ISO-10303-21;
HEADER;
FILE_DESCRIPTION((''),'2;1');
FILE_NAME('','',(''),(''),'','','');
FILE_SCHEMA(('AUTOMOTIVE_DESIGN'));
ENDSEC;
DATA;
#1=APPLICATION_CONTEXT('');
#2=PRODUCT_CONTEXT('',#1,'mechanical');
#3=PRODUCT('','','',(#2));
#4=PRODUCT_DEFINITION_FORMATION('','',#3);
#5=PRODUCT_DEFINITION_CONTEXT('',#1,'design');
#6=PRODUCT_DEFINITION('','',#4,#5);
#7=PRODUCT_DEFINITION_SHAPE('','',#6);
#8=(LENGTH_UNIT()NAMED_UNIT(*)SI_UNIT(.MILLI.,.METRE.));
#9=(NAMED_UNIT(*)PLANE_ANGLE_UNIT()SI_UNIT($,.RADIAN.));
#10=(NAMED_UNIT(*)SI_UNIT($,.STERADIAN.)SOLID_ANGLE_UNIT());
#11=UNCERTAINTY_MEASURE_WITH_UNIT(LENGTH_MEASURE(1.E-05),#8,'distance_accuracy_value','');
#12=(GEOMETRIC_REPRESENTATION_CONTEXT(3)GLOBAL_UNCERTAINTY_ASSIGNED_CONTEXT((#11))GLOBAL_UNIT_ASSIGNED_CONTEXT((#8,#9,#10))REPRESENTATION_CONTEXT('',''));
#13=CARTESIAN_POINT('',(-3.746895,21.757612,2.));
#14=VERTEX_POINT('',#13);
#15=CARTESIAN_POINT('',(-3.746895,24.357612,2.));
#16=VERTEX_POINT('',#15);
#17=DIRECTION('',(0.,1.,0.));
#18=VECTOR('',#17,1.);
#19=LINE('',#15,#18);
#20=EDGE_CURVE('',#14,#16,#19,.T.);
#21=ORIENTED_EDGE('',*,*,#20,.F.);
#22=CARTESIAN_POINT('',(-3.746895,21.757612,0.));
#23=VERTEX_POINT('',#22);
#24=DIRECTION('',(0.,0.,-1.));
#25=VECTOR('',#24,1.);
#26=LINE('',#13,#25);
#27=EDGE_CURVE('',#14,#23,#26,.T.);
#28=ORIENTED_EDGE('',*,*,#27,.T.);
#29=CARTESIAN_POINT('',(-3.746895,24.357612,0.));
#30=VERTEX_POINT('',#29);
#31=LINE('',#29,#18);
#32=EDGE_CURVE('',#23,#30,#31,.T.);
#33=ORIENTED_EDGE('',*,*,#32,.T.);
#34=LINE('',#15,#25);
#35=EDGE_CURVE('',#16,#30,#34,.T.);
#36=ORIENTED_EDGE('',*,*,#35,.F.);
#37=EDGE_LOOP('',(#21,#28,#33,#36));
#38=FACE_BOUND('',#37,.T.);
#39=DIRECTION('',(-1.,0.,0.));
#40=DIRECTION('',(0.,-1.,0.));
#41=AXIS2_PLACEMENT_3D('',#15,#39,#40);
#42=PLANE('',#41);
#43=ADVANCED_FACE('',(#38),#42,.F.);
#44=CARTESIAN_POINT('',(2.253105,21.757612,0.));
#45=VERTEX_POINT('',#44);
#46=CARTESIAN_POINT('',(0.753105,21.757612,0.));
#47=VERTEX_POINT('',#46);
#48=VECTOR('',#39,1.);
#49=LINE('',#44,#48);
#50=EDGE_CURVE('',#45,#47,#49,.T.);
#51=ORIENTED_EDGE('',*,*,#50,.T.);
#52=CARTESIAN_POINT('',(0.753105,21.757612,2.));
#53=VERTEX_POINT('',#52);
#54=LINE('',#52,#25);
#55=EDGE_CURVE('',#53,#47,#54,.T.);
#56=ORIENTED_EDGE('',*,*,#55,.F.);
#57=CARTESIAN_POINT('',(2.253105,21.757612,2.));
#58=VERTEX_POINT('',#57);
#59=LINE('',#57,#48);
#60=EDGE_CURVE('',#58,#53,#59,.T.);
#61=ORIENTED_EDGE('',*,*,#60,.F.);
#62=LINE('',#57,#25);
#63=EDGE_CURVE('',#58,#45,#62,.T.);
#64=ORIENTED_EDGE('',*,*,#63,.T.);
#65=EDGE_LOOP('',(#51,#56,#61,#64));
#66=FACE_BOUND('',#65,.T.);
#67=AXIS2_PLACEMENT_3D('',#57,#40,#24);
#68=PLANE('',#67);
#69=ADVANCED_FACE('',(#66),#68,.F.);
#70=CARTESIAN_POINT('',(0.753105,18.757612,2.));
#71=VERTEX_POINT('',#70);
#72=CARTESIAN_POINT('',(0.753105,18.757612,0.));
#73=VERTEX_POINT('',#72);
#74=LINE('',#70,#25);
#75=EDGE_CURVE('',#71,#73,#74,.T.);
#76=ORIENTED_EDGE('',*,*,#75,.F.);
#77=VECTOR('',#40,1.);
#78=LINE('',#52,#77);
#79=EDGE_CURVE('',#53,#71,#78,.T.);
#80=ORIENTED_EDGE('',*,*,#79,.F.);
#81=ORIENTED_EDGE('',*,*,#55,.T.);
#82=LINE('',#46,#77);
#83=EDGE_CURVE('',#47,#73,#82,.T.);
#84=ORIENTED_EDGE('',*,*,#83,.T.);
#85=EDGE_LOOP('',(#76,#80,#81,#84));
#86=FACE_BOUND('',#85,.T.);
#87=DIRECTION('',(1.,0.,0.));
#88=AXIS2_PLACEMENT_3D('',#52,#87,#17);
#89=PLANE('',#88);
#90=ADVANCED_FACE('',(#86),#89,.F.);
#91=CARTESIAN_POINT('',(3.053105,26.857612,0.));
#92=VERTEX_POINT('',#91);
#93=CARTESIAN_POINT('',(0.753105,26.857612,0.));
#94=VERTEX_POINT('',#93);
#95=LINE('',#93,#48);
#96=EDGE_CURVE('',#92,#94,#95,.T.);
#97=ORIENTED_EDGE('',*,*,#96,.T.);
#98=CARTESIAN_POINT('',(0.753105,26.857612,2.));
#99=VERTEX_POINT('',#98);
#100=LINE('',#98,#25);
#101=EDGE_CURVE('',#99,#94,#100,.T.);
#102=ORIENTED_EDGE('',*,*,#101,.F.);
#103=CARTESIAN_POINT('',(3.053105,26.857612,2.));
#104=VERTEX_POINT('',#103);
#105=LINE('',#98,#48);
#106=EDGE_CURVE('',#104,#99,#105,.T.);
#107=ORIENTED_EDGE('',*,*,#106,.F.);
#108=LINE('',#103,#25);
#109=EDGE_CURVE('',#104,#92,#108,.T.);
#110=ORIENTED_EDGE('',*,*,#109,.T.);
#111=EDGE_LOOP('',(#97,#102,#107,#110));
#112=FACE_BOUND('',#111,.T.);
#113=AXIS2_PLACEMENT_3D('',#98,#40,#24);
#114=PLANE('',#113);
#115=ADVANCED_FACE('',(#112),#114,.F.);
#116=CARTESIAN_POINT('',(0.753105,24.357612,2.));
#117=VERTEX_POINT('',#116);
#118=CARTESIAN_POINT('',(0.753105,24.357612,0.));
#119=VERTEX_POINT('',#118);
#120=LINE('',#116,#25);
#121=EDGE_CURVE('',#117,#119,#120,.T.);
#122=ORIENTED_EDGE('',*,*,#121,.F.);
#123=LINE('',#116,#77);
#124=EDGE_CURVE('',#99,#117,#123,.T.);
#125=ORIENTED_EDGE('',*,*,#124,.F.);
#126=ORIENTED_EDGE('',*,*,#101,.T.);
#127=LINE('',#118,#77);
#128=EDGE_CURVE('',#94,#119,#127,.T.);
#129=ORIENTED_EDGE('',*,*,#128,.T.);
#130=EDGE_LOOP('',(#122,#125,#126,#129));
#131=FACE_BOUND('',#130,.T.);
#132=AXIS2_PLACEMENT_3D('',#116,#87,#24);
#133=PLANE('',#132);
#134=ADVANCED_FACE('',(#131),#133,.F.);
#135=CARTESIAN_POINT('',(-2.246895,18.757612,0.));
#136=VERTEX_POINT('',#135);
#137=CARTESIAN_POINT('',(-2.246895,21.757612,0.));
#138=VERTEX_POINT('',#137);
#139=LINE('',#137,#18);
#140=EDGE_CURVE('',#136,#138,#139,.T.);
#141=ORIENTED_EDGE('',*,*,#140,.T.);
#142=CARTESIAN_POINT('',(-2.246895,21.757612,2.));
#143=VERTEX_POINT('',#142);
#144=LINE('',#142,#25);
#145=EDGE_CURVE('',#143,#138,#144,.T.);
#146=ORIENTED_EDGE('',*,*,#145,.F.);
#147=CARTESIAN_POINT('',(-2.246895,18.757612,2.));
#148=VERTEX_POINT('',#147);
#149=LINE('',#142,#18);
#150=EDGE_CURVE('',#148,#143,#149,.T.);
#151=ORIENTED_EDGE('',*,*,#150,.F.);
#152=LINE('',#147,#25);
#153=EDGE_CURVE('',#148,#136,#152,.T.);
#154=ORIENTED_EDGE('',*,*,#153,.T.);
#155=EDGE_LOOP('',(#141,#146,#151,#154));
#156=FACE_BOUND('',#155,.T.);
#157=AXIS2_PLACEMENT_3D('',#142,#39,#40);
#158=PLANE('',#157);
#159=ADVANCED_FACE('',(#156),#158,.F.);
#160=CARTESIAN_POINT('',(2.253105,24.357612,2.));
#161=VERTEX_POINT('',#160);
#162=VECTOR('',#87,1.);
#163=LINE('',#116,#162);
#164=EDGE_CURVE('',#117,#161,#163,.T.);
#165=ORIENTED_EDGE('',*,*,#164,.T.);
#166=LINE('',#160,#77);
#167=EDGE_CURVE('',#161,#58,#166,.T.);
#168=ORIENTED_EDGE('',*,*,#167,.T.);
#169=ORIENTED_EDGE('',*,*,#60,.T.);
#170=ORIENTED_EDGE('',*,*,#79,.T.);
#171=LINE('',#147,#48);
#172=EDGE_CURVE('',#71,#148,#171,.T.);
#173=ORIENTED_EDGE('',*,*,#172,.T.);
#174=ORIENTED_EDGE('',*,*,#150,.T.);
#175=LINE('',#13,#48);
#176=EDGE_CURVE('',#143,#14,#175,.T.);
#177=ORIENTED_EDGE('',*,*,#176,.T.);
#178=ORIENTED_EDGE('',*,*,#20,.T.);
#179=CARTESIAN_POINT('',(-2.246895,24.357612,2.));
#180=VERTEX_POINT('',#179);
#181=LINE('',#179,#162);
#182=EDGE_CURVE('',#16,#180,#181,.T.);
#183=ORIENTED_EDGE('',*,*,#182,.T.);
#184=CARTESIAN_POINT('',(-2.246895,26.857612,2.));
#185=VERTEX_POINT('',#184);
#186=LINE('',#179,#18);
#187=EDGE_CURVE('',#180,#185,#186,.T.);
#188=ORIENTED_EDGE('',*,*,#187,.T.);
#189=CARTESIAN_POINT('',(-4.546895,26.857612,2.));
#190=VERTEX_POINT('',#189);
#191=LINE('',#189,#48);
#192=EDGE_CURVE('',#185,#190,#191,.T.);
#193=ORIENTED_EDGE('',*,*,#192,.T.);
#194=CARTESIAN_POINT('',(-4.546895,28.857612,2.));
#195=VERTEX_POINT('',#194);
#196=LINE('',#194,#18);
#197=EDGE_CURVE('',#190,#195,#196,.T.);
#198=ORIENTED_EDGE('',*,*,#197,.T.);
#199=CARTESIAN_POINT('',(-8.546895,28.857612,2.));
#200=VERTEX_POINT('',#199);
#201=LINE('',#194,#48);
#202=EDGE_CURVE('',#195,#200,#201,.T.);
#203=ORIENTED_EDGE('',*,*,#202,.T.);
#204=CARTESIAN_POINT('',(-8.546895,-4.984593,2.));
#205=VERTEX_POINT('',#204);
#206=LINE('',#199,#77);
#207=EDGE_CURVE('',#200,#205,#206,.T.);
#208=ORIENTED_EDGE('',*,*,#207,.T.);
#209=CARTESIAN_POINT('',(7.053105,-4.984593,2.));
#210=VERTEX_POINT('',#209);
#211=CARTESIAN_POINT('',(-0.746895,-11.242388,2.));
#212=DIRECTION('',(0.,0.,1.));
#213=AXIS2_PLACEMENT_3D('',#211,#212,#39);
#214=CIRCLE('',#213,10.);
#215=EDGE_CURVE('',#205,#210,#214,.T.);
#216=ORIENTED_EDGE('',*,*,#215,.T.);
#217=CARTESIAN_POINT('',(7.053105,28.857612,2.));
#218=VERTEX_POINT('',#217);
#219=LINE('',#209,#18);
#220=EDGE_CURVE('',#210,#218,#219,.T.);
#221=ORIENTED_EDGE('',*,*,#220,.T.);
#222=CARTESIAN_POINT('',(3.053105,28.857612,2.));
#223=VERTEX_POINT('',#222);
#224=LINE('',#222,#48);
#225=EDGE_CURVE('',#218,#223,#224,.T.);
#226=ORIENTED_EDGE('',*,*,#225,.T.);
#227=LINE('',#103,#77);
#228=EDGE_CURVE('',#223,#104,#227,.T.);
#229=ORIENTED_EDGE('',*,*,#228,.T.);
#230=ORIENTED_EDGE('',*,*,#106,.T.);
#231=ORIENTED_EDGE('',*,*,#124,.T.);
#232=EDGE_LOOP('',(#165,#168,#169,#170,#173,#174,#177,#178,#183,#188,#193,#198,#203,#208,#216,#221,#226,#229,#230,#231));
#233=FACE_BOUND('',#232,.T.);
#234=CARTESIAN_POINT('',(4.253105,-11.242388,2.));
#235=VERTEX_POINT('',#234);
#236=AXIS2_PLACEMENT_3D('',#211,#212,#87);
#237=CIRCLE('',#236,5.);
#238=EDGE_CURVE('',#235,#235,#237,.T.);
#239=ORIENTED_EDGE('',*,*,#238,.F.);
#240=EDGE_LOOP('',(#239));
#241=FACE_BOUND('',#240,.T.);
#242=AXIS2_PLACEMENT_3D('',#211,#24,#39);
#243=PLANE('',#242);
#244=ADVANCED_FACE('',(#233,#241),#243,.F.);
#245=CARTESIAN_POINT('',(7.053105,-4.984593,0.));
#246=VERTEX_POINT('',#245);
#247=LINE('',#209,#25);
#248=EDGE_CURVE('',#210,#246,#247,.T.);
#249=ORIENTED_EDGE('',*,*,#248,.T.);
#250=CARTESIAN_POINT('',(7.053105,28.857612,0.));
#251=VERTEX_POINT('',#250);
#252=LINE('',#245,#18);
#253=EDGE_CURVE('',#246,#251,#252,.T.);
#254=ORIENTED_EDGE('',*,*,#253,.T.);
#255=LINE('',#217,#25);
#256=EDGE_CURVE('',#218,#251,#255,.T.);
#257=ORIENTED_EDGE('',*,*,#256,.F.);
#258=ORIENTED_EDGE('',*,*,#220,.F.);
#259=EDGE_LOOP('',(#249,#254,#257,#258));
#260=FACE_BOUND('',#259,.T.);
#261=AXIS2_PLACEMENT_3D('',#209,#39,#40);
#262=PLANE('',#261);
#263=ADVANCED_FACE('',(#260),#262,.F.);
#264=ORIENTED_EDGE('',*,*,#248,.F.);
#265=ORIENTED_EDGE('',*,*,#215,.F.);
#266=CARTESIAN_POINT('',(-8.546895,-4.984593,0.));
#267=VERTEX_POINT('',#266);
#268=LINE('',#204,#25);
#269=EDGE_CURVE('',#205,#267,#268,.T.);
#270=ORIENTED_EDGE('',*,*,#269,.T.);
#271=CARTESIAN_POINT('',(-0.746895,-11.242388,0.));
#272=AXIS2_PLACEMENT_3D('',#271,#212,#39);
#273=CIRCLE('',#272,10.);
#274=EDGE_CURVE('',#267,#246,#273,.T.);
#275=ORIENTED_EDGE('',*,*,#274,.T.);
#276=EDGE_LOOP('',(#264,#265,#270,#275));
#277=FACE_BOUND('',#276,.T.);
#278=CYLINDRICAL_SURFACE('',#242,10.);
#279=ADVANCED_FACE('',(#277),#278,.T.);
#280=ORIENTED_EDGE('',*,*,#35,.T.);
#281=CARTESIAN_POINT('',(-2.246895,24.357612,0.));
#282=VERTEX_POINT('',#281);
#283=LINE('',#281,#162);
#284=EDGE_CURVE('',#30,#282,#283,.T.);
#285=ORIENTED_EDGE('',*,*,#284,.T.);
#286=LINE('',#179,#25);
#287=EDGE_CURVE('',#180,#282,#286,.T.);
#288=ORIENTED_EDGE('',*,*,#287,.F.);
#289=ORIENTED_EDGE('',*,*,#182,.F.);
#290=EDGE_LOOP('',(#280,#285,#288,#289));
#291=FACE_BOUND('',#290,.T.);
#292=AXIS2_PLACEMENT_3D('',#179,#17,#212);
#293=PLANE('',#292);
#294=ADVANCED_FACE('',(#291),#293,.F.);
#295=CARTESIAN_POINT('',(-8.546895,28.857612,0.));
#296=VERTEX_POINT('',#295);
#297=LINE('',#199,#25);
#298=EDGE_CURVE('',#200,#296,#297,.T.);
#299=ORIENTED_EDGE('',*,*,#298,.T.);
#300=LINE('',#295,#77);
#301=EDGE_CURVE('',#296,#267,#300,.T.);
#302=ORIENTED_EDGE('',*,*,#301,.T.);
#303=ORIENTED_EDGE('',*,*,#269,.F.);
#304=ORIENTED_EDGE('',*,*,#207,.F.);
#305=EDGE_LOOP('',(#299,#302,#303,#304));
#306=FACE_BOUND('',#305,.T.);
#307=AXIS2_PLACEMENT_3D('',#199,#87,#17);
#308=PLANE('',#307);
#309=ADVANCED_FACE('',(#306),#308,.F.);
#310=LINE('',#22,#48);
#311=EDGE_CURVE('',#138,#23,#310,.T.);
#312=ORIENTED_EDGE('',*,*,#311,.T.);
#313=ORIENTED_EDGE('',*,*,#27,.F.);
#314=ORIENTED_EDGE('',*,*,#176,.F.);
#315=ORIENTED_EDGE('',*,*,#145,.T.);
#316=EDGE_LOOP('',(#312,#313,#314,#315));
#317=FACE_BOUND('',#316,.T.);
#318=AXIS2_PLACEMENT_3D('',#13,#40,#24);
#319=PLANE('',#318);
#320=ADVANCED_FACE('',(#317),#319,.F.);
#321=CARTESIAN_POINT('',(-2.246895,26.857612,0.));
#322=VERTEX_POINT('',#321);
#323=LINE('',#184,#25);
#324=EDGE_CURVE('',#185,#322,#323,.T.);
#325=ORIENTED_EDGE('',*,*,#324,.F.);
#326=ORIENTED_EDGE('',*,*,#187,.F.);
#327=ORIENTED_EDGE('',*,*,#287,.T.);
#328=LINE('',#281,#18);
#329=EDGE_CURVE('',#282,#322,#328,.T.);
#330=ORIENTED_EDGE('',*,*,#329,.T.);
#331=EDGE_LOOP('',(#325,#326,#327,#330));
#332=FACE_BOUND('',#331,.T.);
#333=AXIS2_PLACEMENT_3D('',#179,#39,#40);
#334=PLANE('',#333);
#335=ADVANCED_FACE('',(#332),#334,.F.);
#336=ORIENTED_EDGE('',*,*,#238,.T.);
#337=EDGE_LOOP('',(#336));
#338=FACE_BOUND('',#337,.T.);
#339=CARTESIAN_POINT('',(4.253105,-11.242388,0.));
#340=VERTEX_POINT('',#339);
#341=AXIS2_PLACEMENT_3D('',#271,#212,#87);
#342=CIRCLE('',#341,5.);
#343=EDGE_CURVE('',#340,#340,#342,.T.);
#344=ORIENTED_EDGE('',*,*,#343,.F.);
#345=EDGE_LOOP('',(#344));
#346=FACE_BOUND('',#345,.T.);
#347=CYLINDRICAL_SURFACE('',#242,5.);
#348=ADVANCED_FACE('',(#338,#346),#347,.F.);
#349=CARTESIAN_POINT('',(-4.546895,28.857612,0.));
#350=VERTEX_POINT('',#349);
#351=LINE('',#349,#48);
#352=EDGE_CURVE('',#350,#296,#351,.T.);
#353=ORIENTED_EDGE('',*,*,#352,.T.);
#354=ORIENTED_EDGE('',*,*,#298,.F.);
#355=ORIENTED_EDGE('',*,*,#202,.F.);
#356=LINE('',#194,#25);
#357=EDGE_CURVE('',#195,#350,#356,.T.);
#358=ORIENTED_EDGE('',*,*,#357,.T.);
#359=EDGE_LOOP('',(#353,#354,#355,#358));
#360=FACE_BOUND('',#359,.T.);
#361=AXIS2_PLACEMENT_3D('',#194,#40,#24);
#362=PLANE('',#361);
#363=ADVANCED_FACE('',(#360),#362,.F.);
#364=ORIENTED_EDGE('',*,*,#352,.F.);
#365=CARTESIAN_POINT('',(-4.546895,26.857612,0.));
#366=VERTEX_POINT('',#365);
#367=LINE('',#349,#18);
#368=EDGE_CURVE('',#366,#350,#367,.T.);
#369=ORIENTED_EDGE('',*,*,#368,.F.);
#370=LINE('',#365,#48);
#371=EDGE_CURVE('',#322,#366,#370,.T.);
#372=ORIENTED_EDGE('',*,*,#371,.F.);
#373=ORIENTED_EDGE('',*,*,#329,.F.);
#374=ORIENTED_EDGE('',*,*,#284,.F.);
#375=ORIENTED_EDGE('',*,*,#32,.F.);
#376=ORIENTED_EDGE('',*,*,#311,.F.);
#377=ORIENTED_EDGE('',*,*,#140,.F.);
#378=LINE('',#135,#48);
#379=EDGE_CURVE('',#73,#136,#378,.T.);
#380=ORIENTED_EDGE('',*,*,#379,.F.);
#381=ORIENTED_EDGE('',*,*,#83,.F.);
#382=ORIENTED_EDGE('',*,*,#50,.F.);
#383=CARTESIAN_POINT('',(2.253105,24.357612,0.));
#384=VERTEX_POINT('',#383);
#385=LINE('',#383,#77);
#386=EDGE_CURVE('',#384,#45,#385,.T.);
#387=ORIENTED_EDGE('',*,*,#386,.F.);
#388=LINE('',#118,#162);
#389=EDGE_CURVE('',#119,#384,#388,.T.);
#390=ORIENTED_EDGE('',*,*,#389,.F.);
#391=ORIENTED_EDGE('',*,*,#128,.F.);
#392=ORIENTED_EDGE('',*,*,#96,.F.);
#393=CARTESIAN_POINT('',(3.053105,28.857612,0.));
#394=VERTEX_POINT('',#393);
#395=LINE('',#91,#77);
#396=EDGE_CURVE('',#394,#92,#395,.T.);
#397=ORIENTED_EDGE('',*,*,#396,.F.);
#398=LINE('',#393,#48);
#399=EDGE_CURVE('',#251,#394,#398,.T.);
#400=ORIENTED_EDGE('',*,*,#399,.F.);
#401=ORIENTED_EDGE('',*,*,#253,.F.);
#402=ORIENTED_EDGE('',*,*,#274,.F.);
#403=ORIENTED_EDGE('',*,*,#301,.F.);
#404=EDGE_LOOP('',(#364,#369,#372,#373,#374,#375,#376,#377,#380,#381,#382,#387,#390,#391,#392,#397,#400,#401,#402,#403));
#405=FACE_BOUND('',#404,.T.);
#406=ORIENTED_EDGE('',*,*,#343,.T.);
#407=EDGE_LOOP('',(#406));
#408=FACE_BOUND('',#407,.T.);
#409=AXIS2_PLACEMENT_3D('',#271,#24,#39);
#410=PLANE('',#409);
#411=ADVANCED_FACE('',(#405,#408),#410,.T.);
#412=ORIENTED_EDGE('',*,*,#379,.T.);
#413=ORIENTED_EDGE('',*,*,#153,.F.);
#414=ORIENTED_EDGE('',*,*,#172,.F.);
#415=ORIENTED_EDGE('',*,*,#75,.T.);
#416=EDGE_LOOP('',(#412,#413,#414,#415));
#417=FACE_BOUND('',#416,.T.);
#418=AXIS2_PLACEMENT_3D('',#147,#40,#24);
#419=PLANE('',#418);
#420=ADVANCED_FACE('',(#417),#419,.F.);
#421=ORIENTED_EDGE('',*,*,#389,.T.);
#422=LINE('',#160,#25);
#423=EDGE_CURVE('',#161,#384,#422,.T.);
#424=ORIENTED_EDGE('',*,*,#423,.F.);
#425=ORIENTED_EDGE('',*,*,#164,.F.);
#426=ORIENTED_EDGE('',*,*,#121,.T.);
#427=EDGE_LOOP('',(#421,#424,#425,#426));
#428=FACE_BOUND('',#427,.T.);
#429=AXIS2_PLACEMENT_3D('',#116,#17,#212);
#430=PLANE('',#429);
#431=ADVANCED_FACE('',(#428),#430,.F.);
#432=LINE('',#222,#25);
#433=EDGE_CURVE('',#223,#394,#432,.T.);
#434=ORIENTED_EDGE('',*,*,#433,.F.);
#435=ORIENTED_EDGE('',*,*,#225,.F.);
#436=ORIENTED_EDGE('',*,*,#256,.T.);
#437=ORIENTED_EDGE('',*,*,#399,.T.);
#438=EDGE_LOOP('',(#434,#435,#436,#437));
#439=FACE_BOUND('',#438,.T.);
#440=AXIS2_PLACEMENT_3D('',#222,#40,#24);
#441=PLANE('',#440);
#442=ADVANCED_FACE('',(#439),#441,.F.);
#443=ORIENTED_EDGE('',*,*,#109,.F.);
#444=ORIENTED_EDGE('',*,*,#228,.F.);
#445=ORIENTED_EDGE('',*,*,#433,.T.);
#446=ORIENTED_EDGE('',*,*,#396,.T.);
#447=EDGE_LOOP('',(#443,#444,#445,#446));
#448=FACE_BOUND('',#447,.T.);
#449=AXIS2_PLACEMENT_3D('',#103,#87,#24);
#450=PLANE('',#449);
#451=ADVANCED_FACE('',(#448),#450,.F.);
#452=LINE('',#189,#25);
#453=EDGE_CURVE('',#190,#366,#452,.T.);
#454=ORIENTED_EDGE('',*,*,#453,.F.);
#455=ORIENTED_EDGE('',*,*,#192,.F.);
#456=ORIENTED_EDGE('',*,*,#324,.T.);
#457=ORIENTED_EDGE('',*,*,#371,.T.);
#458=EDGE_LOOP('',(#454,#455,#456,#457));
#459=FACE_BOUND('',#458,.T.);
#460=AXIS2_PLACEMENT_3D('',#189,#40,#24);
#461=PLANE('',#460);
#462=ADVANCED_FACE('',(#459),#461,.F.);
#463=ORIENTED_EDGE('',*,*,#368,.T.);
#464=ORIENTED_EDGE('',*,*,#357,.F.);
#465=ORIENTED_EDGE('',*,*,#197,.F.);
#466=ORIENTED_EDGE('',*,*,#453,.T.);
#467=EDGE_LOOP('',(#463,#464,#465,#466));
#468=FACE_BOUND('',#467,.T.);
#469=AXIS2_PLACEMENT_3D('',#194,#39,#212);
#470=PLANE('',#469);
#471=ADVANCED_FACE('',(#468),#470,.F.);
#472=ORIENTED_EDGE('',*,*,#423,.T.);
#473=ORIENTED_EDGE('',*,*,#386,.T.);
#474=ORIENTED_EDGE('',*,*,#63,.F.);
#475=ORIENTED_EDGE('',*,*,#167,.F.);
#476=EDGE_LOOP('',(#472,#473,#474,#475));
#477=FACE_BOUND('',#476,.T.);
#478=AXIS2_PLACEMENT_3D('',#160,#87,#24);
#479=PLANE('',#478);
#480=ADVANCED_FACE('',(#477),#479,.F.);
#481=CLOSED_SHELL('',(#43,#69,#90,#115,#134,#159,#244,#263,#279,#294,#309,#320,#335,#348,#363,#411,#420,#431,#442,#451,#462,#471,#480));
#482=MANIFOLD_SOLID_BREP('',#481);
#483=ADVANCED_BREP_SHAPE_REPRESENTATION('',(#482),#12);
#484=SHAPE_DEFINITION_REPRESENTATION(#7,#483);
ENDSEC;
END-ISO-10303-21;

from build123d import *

# Parameters (mm, degrees)
SKETCH_1_R      = 5
EXTRUDE_1_DEPTH = 2


with BuildPart() as part:
    # 草图1 → 凸台-拉伸1 (new body)
    with BuildSketch(Plane.XY):
        with BuildLine():
            Line((0.753104923, 26.857612039), (3.053104923, 26.857612039))
            Line((3.053104923, 26.857612039), (3.053104923, 28.857612039))
            Line((3.053104923, 28.857612039), (7.053104923, 28.857612039))
            Line((7.053104923, 28.857612039), (7.053104923, -4.984592822))
            ThreePointArc((7.053104923, -4.984592822), (-0.746895077, -21.242387961), (-8.546895077, -4.984592822))
            Line((-8.546895077, -4.984592822), (-8.546895077, 28.857612039))
            Line((-8.546895077, 28.857612039), (-4.546895077, 28.857612039))
            Line((-4.546895077, 28.857612039), (-4.546895077, 26.857612039))
            Line((-4.546895077, 26.857612039), (-2.246895077, 26.857612039))
            Line((-2.246895077, 26.857612039), (-2.246895077, 24.357612039))
            Line((-2.246895077, 24.357612039), (-3.746895077, 24.357612039))
            Line((-3.746895077, 24.357612039), (-3.746895077, 21.757612039))
            Line((-3.746895077, 21.757612039), (-2.246895077, 21.757612039))
            Line((-2.246895077, 21.757612039), (-2.246895077, 18.757612039))
            Line((-2.246895077, 18.757612039), (0.753104923, 18.757612039))
            Line((0.753104923, 18.757612039), (0.753104923, 21.757612039))
            Line((0.753104923, 21.757612039), (2.253104923, 21.757612039))
            Line((2.253104923, 21.757612039), (2.253104923, 24.357612039))
            Line((2.253104923, 24.357612039), (0.753104923, 24.357612039))
            Line((0.753104923, 24.357612039), (0.753104923, 26.857612039))
        make_face()
        with Locations((-0.746895077, -11.242387961)):
            Circle(SKETCH_1_R, mode=Mode.SUBTRACT)
    extrude(amount=EXTRUDE_1_DEPTH)


solid = part.part
